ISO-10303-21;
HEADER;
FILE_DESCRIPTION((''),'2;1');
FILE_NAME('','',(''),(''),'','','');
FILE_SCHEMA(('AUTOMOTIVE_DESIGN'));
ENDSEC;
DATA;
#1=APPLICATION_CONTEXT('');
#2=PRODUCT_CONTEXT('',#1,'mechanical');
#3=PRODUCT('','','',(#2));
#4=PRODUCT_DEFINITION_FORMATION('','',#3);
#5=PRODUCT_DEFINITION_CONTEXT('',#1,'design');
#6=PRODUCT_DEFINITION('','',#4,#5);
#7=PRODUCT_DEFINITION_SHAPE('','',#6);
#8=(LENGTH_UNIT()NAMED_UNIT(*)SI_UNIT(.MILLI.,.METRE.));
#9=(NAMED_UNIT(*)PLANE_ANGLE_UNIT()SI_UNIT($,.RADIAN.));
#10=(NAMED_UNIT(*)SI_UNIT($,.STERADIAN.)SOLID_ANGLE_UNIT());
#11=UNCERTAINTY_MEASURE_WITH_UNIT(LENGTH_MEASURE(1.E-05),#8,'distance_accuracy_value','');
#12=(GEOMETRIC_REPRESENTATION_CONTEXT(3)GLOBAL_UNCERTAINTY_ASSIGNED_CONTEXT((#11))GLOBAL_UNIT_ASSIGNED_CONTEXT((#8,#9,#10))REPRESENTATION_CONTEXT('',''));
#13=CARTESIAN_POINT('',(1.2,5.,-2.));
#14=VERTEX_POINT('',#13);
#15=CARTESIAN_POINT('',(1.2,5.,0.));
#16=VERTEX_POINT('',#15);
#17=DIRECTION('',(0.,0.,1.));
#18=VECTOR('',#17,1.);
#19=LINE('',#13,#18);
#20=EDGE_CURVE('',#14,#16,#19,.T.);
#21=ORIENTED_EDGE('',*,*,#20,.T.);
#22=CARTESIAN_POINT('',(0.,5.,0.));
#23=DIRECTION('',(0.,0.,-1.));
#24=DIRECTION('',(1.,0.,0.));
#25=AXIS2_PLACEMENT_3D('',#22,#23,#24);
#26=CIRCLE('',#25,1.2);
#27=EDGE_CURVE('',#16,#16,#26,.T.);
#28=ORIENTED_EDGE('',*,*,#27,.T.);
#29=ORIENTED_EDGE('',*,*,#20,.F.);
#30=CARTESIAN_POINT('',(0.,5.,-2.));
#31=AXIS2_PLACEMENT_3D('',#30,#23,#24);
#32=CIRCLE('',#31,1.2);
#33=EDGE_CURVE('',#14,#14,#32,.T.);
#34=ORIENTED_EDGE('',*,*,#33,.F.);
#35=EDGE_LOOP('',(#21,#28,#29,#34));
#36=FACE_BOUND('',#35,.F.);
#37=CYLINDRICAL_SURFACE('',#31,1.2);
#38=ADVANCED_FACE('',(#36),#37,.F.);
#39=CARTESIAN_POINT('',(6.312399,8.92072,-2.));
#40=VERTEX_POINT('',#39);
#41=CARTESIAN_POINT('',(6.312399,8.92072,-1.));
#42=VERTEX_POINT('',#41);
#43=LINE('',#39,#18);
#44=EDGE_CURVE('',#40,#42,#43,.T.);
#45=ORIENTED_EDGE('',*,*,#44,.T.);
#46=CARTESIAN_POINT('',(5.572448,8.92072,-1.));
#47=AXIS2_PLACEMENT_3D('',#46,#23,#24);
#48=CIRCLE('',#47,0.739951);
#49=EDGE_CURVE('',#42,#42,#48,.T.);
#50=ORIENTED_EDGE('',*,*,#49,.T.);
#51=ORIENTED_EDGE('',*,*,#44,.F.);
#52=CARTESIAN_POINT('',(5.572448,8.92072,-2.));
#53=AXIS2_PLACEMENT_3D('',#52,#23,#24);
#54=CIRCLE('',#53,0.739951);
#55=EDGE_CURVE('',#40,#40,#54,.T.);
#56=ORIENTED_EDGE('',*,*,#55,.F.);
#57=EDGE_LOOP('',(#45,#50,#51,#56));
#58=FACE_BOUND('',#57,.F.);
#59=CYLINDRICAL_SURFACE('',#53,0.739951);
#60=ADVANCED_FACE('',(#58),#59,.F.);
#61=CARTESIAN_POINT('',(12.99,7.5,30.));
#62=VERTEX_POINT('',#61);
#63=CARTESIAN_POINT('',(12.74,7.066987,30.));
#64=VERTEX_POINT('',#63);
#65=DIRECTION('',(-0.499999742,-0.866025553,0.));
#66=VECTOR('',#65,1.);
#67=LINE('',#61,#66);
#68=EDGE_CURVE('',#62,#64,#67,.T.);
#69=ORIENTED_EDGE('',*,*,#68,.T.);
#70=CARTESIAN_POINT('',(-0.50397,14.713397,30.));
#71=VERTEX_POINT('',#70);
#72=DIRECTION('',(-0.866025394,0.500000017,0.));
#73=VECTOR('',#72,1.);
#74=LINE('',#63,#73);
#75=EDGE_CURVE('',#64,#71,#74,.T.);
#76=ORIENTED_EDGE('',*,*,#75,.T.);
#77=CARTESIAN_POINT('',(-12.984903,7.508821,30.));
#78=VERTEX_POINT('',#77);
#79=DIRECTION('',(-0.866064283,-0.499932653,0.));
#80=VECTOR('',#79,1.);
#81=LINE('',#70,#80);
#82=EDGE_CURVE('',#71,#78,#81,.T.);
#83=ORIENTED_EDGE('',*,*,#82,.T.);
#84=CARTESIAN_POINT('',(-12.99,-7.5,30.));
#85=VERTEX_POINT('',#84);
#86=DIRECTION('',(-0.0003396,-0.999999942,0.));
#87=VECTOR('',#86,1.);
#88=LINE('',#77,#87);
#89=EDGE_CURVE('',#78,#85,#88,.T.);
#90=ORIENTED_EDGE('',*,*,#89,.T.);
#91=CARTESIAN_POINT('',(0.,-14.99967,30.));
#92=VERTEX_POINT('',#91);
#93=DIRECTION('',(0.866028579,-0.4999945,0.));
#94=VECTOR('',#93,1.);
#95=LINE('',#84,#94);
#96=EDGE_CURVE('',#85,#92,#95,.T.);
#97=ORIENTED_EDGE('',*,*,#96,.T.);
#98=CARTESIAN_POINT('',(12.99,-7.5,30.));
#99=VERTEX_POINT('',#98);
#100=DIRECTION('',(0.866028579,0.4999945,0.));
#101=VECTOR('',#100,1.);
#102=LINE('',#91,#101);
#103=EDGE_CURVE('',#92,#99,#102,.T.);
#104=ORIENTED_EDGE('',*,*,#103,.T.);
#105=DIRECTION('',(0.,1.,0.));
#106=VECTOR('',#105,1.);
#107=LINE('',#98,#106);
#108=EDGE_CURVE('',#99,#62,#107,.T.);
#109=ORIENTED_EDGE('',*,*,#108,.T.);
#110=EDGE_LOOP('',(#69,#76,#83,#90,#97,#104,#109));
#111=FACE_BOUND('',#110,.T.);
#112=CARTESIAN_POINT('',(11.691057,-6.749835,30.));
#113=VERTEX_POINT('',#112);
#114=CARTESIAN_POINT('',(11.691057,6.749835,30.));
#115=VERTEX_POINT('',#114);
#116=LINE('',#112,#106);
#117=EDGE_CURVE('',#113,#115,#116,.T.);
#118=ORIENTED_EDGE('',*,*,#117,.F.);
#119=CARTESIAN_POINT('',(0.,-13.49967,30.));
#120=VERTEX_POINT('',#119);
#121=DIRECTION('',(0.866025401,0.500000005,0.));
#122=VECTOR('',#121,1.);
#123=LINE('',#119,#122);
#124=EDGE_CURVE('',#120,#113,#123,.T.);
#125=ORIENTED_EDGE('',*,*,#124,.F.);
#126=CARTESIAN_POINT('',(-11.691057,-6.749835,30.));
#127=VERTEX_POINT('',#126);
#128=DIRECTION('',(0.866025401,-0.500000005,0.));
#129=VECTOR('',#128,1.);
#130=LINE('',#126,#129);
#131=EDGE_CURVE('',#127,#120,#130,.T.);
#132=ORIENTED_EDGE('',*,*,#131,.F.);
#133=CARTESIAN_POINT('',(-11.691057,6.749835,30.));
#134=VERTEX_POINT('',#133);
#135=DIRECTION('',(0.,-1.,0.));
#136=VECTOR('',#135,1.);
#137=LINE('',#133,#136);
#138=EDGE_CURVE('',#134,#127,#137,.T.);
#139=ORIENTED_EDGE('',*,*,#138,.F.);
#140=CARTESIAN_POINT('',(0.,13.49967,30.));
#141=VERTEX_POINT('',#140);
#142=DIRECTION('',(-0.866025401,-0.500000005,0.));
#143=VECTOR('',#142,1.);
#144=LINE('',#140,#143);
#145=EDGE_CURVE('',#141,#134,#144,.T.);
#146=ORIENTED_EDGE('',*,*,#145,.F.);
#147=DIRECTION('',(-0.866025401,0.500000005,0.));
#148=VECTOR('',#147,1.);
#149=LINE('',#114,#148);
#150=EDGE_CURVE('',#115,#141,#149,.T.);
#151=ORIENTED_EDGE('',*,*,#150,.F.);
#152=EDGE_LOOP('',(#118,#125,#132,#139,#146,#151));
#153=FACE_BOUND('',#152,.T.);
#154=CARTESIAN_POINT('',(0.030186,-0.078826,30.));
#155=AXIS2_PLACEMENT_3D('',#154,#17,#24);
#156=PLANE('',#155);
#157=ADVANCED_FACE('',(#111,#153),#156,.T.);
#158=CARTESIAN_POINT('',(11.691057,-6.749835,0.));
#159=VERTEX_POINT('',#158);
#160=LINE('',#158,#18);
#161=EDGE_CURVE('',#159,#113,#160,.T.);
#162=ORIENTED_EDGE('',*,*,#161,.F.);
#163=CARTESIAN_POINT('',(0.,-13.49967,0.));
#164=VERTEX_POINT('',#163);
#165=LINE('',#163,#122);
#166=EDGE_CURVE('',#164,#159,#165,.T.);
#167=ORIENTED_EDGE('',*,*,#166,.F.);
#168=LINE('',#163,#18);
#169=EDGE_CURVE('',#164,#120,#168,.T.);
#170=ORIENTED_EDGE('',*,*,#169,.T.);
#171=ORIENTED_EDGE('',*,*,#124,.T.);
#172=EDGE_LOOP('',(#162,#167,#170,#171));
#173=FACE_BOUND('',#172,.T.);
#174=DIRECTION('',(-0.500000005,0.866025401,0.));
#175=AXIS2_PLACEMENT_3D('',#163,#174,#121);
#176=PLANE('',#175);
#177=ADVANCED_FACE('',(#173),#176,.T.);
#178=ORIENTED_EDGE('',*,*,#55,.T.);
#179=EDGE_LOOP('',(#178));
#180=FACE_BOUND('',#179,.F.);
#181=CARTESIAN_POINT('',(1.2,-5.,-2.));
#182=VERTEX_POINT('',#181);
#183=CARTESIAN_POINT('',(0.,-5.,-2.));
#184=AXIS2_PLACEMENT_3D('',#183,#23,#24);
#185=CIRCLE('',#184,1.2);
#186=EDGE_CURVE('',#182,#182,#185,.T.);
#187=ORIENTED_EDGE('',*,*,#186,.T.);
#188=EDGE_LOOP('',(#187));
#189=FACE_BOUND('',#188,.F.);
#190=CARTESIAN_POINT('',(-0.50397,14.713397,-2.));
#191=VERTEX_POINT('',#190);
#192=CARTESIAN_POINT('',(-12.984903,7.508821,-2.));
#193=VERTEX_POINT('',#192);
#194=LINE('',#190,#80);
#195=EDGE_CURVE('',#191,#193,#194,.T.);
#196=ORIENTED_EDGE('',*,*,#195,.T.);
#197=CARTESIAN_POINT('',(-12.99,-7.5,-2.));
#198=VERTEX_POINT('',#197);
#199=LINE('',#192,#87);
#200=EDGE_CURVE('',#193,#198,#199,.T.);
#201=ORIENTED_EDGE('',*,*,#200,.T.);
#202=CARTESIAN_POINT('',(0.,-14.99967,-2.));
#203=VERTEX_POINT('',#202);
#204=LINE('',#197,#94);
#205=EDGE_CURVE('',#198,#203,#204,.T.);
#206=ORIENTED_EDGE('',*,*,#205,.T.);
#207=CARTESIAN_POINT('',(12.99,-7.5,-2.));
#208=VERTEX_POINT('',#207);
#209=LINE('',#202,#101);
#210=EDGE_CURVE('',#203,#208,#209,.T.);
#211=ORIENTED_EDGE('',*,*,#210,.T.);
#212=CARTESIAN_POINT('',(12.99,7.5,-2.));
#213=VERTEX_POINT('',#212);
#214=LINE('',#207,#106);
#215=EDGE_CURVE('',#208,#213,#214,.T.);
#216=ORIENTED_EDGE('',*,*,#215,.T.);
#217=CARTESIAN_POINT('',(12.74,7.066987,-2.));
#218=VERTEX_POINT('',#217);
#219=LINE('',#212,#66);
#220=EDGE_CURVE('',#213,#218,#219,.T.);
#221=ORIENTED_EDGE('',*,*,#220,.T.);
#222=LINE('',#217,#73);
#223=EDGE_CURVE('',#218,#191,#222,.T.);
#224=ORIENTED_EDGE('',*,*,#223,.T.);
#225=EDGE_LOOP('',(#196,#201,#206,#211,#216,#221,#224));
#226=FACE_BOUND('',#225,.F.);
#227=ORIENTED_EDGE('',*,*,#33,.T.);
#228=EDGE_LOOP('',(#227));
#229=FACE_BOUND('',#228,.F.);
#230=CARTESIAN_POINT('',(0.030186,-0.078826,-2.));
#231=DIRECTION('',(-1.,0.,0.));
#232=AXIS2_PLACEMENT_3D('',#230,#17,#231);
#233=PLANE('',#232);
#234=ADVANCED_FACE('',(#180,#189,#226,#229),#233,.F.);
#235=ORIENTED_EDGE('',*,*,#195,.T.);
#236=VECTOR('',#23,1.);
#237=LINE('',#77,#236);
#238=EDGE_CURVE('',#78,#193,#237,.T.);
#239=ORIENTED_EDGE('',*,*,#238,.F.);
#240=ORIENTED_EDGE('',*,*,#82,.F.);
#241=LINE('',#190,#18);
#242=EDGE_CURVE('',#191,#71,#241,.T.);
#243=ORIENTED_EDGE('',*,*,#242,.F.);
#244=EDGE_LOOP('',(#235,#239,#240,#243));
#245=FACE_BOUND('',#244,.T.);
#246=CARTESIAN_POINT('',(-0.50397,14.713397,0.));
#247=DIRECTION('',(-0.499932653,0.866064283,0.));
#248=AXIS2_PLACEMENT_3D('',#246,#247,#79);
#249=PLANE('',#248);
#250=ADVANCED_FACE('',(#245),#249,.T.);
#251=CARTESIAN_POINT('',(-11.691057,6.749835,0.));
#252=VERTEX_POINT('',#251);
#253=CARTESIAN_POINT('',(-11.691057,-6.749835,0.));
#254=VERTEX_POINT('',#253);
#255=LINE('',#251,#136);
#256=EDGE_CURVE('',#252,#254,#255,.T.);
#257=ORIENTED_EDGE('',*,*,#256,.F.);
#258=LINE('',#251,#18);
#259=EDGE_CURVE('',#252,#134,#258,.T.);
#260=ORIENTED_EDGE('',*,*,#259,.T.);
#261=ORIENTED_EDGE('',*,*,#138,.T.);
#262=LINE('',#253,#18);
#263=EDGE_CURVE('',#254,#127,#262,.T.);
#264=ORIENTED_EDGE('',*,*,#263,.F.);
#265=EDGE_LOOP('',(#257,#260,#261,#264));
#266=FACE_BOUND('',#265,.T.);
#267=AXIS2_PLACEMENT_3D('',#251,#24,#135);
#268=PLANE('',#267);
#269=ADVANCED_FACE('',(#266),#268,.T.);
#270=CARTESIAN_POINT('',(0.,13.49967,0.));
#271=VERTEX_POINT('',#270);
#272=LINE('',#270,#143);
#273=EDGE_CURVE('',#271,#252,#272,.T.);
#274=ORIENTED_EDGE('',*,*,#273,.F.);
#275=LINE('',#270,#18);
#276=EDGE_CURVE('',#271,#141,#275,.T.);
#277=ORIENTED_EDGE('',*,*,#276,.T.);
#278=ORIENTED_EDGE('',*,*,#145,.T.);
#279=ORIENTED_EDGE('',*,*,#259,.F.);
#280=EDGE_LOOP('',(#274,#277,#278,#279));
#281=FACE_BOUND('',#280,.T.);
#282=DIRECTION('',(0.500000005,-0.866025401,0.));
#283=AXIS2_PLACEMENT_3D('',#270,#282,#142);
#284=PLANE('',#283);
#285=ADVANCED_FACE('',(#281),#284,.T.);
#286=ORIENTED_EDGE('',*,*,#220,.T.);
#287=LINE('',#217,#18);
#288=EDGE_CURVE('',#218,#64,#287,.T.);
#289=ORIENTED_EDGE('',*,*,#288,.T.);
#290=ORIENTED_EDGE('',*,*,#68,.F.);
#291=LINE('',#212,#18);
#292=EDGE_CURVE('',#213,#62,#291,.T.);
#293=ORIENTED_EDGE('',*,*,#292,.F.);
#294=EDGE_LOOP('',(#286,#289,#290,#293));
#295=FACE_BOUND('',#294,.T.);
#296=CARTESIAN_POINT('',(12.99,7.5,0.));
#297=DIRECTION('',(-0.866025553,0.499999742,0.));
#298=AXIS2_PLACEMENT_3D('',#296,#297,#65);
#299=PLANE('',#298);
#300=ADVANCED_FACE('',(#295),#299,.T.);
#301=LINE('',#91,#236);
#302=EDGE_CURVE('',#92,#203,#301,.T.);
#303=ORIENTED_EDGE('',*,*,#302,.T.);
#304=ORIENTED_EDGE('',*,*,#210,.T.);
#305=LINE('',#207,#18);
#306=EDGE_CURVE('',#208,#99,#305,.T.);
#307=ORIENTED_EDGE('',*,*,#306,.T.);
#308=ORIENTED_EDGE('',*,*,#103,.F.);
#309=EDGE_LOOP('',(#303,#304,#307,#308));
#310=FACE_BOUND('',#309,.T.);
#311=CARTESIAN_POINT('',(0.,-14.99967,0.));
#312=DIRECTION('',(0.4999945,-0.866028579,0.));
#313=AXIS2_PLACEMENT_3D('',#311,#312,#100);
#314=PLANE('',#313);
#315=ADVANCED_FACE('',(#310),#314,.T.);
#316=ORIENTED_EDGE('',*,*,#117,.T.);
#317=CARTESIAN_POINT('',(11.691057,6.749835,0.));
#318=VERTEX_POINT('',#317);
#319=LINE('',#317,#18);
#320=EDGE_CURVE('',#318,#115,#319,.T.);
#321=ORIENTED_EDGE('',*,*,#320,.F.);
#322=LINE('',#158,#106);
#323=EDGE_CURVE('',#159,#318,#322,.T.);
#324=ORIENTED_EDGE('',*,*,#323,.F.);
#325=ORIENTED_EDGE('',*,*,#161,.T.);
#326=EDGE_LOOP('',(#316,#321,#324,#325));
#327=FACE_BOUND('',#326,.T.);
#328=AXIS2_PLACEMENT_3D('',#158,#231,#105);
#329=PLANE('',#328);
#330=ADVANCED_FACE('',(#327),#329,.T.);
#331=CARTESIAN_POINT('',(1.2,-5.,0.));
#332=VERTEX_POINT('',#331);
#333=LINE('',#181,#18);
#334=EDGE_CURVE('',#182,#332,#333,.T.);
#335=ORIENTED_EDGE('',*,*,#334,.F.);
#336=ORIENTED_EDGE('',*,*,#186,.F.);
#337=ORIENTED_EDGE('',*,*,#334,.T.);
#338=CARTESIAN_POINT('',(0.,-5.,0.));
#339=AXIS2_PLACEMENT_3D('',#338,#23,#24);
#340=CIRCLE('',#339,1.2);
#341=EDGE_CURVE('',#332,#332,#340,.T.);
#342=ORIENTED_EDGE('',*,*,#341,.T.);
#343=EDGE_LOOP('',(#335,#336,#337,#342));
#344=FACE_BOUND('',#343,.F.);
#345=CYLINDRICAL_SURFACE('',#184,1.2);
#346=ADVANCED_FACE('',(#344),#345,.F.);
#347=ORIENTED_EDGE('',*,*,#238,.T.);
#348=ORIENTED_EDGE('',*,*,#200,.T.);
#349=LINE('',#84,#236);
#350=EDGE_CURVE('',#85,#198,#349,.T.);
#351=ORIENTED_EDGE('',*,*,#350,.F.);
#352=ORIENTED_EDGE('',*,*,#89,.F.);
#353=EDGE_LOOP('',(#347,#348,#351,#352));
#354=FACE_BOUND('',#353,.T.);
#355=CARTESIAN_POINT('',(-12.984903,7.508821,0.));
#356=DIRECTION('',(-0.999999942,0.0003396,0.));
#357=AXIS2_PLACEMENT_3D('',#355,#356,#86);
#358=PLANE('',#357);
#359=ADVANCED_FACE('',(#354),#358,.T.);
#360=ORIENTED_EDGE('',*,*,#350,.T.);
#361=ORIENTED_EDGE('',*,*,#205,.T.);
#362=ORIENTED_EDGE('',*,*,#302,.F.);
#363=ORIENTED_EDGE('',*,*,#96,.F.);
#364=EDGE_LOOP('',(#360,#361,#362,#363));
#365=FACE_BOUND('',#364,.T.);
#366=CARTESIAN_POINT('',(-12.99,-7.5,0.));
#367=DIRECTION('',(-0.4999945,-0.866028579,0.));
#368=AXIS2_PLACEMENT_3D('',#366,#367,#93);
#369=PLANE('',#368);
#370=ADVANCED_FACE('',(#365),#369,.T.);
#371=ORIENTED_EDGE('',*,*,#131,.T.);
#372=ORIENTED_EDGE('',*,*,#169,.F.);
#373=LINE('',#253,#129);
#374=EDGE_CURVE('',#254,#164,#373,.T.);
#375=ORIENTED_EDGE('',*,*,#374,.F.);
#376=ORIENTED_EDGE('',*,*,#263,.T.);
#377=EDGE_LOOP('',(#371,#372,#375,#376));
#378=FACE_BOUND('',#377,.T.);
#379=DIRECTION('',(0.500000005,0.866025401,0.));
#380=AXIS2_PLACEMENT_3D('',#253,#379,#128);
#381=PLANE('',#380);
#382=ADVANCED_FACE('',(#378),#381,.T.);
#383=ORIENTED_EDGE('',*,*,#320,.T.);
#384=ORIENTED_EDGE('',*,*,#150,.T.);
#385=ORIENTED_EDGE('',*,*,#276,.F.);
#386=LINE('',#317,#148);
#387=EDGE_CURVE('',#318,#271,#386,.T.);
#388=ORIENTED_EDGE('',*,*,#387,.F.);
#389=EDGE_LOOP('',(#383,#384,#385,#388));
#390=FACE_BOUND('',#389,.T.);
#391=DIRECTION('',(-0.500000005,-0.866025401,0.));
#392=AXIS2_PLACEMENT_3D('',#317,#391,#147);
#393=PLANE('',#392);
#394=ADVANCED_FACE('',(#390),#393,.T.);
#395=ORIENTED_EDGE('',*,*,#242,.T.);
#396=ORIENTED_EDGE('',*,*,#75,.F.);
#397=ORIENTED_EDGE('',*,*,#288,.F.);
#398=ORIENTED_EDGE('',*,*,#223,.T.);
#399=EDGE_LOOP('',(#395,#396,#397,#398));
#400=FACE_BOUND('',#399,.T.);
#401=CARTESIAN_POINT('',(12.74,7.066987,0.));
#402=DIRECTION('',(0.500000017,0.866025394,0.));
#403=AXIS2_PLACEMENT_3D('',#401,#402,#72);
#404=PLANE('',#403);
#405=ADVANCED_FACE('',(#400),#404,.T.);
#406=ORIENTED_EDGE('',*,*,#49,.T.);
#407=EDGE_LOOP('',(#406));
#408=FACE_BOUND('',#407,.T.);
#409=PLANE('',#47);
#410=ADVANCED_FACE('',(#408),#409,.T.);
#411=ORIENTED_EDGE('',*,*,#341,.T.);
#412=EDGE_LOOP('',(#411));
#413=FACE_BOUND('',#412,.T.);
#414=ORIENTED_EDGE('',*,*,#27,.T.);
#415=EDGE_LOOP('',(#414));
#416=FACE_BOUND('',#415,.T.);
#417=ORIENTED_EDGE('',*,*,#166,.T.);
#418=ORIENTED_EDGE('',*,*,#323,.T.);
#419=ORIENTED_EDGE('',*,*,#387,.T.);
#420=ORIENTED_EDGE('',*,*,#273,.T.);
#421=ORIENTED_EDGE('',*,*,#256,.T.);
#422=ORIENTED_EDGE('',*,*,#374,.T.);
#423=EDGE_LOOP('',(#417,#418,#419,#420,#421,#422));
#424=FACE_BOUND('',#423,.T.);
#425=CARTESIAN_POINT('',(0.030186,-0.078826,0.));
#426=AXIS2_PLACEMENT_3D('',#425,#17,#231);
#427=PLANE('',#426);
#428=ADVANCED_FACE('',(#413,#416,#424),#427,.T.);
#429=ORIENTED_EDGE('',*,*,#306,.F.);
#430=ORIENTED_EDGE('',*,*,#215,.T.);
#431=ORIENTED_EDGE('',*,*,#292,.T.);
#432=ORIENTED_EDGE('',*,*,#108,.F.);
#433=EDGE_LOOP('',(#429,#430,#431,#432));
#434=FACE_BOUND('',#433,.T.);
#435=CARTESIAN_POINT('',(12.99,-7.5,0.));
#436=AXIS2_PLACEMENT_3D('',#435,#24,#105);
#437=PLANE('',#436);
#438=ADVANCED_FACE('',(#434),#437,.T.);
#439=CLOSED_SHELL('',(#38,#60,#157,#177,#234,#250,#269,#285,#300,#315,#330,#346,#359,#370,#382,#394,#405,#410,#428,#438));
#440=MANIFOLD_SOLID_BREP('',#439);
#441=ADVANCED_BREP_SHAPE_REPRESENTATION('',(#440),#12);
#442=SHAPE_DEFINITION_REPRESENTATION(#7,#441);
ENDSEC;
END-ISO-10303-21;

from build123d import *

# Parameters (mm, degrees)
PAD_DEPTH       = 30
PAD001_DEPTH    = 2
SKETCH002_R     = 0.739951
POCKET_DEPTH    = 1
SKETCH003_R     = 1.2
POCKET001_DEPTH = 5


with BuildPart() as part:
    # Sketch → Pad (new body)
    with BuildSketch(Plane.XY):
        Polygon((-0.50397, 14.713397), (-12.984903, 7.508821), (-12.99, -7.5), (0, -14.99967), (12.99, -7.5), (12.99, 7.5), (12.74, 7.066987), align=None)
        Polygon((0, 13.49967), (-11.691057, 6.749835), (-11.691057, -6.749835), (0, -13.49967), (11.691057, -6.749835), (11.691057, 6.749835), align=None, mode=Mode.SUBTRACT)
    extrude(amount=PAD_DEPTH)

    # Sketch001 (on Face14 of Pad) → Pad001 (join)
    with BuildSketch(Plane(origin=(0, 0, 0), x_dir=(1, 0, 0), z_dir=(0, 0, -1))):
        Polygon((0, 14.99967), (12.99, 7.5), (12.99, -7.5), (12.74, -7.066987), (-0.50397, -14.713397), (-12.984903, -7.508821), (-12.99, 7.5), align=None)
    extrude(amount=PAD001_DEPTH)

    # Sketch002 (on Face10 of Pad001) → Pocket (cut)
    with BuildSketch(Plane(origin=(0, 0, -2), x_dir=(1, 0, 0), z_dir=(0, 0, -1))):
        with Locations((5.572448, -8.92072)):
            Circle(SKETCH002_R)
    extrude(amount=-POCKET_DEPTH, mode=Mode.SUBTRACT)

    # Sketch003 (on Face10 of Pocket) → Pocket001 (cut)
    with BuildSketch(Plane(origin=(0, 0, -2), x_dir=(1, 0, 0), z_dir=(0, 0, -1))):
        with Locations((0, 5)):
            Circle(SKETCH003_R)
        with Locations((0, -5)):
            Circle(SKETCH003_R)
    extrude(amount=-POCKET001_DEPTH, mode=Mode.SUBTRACT)


solid = part.part
